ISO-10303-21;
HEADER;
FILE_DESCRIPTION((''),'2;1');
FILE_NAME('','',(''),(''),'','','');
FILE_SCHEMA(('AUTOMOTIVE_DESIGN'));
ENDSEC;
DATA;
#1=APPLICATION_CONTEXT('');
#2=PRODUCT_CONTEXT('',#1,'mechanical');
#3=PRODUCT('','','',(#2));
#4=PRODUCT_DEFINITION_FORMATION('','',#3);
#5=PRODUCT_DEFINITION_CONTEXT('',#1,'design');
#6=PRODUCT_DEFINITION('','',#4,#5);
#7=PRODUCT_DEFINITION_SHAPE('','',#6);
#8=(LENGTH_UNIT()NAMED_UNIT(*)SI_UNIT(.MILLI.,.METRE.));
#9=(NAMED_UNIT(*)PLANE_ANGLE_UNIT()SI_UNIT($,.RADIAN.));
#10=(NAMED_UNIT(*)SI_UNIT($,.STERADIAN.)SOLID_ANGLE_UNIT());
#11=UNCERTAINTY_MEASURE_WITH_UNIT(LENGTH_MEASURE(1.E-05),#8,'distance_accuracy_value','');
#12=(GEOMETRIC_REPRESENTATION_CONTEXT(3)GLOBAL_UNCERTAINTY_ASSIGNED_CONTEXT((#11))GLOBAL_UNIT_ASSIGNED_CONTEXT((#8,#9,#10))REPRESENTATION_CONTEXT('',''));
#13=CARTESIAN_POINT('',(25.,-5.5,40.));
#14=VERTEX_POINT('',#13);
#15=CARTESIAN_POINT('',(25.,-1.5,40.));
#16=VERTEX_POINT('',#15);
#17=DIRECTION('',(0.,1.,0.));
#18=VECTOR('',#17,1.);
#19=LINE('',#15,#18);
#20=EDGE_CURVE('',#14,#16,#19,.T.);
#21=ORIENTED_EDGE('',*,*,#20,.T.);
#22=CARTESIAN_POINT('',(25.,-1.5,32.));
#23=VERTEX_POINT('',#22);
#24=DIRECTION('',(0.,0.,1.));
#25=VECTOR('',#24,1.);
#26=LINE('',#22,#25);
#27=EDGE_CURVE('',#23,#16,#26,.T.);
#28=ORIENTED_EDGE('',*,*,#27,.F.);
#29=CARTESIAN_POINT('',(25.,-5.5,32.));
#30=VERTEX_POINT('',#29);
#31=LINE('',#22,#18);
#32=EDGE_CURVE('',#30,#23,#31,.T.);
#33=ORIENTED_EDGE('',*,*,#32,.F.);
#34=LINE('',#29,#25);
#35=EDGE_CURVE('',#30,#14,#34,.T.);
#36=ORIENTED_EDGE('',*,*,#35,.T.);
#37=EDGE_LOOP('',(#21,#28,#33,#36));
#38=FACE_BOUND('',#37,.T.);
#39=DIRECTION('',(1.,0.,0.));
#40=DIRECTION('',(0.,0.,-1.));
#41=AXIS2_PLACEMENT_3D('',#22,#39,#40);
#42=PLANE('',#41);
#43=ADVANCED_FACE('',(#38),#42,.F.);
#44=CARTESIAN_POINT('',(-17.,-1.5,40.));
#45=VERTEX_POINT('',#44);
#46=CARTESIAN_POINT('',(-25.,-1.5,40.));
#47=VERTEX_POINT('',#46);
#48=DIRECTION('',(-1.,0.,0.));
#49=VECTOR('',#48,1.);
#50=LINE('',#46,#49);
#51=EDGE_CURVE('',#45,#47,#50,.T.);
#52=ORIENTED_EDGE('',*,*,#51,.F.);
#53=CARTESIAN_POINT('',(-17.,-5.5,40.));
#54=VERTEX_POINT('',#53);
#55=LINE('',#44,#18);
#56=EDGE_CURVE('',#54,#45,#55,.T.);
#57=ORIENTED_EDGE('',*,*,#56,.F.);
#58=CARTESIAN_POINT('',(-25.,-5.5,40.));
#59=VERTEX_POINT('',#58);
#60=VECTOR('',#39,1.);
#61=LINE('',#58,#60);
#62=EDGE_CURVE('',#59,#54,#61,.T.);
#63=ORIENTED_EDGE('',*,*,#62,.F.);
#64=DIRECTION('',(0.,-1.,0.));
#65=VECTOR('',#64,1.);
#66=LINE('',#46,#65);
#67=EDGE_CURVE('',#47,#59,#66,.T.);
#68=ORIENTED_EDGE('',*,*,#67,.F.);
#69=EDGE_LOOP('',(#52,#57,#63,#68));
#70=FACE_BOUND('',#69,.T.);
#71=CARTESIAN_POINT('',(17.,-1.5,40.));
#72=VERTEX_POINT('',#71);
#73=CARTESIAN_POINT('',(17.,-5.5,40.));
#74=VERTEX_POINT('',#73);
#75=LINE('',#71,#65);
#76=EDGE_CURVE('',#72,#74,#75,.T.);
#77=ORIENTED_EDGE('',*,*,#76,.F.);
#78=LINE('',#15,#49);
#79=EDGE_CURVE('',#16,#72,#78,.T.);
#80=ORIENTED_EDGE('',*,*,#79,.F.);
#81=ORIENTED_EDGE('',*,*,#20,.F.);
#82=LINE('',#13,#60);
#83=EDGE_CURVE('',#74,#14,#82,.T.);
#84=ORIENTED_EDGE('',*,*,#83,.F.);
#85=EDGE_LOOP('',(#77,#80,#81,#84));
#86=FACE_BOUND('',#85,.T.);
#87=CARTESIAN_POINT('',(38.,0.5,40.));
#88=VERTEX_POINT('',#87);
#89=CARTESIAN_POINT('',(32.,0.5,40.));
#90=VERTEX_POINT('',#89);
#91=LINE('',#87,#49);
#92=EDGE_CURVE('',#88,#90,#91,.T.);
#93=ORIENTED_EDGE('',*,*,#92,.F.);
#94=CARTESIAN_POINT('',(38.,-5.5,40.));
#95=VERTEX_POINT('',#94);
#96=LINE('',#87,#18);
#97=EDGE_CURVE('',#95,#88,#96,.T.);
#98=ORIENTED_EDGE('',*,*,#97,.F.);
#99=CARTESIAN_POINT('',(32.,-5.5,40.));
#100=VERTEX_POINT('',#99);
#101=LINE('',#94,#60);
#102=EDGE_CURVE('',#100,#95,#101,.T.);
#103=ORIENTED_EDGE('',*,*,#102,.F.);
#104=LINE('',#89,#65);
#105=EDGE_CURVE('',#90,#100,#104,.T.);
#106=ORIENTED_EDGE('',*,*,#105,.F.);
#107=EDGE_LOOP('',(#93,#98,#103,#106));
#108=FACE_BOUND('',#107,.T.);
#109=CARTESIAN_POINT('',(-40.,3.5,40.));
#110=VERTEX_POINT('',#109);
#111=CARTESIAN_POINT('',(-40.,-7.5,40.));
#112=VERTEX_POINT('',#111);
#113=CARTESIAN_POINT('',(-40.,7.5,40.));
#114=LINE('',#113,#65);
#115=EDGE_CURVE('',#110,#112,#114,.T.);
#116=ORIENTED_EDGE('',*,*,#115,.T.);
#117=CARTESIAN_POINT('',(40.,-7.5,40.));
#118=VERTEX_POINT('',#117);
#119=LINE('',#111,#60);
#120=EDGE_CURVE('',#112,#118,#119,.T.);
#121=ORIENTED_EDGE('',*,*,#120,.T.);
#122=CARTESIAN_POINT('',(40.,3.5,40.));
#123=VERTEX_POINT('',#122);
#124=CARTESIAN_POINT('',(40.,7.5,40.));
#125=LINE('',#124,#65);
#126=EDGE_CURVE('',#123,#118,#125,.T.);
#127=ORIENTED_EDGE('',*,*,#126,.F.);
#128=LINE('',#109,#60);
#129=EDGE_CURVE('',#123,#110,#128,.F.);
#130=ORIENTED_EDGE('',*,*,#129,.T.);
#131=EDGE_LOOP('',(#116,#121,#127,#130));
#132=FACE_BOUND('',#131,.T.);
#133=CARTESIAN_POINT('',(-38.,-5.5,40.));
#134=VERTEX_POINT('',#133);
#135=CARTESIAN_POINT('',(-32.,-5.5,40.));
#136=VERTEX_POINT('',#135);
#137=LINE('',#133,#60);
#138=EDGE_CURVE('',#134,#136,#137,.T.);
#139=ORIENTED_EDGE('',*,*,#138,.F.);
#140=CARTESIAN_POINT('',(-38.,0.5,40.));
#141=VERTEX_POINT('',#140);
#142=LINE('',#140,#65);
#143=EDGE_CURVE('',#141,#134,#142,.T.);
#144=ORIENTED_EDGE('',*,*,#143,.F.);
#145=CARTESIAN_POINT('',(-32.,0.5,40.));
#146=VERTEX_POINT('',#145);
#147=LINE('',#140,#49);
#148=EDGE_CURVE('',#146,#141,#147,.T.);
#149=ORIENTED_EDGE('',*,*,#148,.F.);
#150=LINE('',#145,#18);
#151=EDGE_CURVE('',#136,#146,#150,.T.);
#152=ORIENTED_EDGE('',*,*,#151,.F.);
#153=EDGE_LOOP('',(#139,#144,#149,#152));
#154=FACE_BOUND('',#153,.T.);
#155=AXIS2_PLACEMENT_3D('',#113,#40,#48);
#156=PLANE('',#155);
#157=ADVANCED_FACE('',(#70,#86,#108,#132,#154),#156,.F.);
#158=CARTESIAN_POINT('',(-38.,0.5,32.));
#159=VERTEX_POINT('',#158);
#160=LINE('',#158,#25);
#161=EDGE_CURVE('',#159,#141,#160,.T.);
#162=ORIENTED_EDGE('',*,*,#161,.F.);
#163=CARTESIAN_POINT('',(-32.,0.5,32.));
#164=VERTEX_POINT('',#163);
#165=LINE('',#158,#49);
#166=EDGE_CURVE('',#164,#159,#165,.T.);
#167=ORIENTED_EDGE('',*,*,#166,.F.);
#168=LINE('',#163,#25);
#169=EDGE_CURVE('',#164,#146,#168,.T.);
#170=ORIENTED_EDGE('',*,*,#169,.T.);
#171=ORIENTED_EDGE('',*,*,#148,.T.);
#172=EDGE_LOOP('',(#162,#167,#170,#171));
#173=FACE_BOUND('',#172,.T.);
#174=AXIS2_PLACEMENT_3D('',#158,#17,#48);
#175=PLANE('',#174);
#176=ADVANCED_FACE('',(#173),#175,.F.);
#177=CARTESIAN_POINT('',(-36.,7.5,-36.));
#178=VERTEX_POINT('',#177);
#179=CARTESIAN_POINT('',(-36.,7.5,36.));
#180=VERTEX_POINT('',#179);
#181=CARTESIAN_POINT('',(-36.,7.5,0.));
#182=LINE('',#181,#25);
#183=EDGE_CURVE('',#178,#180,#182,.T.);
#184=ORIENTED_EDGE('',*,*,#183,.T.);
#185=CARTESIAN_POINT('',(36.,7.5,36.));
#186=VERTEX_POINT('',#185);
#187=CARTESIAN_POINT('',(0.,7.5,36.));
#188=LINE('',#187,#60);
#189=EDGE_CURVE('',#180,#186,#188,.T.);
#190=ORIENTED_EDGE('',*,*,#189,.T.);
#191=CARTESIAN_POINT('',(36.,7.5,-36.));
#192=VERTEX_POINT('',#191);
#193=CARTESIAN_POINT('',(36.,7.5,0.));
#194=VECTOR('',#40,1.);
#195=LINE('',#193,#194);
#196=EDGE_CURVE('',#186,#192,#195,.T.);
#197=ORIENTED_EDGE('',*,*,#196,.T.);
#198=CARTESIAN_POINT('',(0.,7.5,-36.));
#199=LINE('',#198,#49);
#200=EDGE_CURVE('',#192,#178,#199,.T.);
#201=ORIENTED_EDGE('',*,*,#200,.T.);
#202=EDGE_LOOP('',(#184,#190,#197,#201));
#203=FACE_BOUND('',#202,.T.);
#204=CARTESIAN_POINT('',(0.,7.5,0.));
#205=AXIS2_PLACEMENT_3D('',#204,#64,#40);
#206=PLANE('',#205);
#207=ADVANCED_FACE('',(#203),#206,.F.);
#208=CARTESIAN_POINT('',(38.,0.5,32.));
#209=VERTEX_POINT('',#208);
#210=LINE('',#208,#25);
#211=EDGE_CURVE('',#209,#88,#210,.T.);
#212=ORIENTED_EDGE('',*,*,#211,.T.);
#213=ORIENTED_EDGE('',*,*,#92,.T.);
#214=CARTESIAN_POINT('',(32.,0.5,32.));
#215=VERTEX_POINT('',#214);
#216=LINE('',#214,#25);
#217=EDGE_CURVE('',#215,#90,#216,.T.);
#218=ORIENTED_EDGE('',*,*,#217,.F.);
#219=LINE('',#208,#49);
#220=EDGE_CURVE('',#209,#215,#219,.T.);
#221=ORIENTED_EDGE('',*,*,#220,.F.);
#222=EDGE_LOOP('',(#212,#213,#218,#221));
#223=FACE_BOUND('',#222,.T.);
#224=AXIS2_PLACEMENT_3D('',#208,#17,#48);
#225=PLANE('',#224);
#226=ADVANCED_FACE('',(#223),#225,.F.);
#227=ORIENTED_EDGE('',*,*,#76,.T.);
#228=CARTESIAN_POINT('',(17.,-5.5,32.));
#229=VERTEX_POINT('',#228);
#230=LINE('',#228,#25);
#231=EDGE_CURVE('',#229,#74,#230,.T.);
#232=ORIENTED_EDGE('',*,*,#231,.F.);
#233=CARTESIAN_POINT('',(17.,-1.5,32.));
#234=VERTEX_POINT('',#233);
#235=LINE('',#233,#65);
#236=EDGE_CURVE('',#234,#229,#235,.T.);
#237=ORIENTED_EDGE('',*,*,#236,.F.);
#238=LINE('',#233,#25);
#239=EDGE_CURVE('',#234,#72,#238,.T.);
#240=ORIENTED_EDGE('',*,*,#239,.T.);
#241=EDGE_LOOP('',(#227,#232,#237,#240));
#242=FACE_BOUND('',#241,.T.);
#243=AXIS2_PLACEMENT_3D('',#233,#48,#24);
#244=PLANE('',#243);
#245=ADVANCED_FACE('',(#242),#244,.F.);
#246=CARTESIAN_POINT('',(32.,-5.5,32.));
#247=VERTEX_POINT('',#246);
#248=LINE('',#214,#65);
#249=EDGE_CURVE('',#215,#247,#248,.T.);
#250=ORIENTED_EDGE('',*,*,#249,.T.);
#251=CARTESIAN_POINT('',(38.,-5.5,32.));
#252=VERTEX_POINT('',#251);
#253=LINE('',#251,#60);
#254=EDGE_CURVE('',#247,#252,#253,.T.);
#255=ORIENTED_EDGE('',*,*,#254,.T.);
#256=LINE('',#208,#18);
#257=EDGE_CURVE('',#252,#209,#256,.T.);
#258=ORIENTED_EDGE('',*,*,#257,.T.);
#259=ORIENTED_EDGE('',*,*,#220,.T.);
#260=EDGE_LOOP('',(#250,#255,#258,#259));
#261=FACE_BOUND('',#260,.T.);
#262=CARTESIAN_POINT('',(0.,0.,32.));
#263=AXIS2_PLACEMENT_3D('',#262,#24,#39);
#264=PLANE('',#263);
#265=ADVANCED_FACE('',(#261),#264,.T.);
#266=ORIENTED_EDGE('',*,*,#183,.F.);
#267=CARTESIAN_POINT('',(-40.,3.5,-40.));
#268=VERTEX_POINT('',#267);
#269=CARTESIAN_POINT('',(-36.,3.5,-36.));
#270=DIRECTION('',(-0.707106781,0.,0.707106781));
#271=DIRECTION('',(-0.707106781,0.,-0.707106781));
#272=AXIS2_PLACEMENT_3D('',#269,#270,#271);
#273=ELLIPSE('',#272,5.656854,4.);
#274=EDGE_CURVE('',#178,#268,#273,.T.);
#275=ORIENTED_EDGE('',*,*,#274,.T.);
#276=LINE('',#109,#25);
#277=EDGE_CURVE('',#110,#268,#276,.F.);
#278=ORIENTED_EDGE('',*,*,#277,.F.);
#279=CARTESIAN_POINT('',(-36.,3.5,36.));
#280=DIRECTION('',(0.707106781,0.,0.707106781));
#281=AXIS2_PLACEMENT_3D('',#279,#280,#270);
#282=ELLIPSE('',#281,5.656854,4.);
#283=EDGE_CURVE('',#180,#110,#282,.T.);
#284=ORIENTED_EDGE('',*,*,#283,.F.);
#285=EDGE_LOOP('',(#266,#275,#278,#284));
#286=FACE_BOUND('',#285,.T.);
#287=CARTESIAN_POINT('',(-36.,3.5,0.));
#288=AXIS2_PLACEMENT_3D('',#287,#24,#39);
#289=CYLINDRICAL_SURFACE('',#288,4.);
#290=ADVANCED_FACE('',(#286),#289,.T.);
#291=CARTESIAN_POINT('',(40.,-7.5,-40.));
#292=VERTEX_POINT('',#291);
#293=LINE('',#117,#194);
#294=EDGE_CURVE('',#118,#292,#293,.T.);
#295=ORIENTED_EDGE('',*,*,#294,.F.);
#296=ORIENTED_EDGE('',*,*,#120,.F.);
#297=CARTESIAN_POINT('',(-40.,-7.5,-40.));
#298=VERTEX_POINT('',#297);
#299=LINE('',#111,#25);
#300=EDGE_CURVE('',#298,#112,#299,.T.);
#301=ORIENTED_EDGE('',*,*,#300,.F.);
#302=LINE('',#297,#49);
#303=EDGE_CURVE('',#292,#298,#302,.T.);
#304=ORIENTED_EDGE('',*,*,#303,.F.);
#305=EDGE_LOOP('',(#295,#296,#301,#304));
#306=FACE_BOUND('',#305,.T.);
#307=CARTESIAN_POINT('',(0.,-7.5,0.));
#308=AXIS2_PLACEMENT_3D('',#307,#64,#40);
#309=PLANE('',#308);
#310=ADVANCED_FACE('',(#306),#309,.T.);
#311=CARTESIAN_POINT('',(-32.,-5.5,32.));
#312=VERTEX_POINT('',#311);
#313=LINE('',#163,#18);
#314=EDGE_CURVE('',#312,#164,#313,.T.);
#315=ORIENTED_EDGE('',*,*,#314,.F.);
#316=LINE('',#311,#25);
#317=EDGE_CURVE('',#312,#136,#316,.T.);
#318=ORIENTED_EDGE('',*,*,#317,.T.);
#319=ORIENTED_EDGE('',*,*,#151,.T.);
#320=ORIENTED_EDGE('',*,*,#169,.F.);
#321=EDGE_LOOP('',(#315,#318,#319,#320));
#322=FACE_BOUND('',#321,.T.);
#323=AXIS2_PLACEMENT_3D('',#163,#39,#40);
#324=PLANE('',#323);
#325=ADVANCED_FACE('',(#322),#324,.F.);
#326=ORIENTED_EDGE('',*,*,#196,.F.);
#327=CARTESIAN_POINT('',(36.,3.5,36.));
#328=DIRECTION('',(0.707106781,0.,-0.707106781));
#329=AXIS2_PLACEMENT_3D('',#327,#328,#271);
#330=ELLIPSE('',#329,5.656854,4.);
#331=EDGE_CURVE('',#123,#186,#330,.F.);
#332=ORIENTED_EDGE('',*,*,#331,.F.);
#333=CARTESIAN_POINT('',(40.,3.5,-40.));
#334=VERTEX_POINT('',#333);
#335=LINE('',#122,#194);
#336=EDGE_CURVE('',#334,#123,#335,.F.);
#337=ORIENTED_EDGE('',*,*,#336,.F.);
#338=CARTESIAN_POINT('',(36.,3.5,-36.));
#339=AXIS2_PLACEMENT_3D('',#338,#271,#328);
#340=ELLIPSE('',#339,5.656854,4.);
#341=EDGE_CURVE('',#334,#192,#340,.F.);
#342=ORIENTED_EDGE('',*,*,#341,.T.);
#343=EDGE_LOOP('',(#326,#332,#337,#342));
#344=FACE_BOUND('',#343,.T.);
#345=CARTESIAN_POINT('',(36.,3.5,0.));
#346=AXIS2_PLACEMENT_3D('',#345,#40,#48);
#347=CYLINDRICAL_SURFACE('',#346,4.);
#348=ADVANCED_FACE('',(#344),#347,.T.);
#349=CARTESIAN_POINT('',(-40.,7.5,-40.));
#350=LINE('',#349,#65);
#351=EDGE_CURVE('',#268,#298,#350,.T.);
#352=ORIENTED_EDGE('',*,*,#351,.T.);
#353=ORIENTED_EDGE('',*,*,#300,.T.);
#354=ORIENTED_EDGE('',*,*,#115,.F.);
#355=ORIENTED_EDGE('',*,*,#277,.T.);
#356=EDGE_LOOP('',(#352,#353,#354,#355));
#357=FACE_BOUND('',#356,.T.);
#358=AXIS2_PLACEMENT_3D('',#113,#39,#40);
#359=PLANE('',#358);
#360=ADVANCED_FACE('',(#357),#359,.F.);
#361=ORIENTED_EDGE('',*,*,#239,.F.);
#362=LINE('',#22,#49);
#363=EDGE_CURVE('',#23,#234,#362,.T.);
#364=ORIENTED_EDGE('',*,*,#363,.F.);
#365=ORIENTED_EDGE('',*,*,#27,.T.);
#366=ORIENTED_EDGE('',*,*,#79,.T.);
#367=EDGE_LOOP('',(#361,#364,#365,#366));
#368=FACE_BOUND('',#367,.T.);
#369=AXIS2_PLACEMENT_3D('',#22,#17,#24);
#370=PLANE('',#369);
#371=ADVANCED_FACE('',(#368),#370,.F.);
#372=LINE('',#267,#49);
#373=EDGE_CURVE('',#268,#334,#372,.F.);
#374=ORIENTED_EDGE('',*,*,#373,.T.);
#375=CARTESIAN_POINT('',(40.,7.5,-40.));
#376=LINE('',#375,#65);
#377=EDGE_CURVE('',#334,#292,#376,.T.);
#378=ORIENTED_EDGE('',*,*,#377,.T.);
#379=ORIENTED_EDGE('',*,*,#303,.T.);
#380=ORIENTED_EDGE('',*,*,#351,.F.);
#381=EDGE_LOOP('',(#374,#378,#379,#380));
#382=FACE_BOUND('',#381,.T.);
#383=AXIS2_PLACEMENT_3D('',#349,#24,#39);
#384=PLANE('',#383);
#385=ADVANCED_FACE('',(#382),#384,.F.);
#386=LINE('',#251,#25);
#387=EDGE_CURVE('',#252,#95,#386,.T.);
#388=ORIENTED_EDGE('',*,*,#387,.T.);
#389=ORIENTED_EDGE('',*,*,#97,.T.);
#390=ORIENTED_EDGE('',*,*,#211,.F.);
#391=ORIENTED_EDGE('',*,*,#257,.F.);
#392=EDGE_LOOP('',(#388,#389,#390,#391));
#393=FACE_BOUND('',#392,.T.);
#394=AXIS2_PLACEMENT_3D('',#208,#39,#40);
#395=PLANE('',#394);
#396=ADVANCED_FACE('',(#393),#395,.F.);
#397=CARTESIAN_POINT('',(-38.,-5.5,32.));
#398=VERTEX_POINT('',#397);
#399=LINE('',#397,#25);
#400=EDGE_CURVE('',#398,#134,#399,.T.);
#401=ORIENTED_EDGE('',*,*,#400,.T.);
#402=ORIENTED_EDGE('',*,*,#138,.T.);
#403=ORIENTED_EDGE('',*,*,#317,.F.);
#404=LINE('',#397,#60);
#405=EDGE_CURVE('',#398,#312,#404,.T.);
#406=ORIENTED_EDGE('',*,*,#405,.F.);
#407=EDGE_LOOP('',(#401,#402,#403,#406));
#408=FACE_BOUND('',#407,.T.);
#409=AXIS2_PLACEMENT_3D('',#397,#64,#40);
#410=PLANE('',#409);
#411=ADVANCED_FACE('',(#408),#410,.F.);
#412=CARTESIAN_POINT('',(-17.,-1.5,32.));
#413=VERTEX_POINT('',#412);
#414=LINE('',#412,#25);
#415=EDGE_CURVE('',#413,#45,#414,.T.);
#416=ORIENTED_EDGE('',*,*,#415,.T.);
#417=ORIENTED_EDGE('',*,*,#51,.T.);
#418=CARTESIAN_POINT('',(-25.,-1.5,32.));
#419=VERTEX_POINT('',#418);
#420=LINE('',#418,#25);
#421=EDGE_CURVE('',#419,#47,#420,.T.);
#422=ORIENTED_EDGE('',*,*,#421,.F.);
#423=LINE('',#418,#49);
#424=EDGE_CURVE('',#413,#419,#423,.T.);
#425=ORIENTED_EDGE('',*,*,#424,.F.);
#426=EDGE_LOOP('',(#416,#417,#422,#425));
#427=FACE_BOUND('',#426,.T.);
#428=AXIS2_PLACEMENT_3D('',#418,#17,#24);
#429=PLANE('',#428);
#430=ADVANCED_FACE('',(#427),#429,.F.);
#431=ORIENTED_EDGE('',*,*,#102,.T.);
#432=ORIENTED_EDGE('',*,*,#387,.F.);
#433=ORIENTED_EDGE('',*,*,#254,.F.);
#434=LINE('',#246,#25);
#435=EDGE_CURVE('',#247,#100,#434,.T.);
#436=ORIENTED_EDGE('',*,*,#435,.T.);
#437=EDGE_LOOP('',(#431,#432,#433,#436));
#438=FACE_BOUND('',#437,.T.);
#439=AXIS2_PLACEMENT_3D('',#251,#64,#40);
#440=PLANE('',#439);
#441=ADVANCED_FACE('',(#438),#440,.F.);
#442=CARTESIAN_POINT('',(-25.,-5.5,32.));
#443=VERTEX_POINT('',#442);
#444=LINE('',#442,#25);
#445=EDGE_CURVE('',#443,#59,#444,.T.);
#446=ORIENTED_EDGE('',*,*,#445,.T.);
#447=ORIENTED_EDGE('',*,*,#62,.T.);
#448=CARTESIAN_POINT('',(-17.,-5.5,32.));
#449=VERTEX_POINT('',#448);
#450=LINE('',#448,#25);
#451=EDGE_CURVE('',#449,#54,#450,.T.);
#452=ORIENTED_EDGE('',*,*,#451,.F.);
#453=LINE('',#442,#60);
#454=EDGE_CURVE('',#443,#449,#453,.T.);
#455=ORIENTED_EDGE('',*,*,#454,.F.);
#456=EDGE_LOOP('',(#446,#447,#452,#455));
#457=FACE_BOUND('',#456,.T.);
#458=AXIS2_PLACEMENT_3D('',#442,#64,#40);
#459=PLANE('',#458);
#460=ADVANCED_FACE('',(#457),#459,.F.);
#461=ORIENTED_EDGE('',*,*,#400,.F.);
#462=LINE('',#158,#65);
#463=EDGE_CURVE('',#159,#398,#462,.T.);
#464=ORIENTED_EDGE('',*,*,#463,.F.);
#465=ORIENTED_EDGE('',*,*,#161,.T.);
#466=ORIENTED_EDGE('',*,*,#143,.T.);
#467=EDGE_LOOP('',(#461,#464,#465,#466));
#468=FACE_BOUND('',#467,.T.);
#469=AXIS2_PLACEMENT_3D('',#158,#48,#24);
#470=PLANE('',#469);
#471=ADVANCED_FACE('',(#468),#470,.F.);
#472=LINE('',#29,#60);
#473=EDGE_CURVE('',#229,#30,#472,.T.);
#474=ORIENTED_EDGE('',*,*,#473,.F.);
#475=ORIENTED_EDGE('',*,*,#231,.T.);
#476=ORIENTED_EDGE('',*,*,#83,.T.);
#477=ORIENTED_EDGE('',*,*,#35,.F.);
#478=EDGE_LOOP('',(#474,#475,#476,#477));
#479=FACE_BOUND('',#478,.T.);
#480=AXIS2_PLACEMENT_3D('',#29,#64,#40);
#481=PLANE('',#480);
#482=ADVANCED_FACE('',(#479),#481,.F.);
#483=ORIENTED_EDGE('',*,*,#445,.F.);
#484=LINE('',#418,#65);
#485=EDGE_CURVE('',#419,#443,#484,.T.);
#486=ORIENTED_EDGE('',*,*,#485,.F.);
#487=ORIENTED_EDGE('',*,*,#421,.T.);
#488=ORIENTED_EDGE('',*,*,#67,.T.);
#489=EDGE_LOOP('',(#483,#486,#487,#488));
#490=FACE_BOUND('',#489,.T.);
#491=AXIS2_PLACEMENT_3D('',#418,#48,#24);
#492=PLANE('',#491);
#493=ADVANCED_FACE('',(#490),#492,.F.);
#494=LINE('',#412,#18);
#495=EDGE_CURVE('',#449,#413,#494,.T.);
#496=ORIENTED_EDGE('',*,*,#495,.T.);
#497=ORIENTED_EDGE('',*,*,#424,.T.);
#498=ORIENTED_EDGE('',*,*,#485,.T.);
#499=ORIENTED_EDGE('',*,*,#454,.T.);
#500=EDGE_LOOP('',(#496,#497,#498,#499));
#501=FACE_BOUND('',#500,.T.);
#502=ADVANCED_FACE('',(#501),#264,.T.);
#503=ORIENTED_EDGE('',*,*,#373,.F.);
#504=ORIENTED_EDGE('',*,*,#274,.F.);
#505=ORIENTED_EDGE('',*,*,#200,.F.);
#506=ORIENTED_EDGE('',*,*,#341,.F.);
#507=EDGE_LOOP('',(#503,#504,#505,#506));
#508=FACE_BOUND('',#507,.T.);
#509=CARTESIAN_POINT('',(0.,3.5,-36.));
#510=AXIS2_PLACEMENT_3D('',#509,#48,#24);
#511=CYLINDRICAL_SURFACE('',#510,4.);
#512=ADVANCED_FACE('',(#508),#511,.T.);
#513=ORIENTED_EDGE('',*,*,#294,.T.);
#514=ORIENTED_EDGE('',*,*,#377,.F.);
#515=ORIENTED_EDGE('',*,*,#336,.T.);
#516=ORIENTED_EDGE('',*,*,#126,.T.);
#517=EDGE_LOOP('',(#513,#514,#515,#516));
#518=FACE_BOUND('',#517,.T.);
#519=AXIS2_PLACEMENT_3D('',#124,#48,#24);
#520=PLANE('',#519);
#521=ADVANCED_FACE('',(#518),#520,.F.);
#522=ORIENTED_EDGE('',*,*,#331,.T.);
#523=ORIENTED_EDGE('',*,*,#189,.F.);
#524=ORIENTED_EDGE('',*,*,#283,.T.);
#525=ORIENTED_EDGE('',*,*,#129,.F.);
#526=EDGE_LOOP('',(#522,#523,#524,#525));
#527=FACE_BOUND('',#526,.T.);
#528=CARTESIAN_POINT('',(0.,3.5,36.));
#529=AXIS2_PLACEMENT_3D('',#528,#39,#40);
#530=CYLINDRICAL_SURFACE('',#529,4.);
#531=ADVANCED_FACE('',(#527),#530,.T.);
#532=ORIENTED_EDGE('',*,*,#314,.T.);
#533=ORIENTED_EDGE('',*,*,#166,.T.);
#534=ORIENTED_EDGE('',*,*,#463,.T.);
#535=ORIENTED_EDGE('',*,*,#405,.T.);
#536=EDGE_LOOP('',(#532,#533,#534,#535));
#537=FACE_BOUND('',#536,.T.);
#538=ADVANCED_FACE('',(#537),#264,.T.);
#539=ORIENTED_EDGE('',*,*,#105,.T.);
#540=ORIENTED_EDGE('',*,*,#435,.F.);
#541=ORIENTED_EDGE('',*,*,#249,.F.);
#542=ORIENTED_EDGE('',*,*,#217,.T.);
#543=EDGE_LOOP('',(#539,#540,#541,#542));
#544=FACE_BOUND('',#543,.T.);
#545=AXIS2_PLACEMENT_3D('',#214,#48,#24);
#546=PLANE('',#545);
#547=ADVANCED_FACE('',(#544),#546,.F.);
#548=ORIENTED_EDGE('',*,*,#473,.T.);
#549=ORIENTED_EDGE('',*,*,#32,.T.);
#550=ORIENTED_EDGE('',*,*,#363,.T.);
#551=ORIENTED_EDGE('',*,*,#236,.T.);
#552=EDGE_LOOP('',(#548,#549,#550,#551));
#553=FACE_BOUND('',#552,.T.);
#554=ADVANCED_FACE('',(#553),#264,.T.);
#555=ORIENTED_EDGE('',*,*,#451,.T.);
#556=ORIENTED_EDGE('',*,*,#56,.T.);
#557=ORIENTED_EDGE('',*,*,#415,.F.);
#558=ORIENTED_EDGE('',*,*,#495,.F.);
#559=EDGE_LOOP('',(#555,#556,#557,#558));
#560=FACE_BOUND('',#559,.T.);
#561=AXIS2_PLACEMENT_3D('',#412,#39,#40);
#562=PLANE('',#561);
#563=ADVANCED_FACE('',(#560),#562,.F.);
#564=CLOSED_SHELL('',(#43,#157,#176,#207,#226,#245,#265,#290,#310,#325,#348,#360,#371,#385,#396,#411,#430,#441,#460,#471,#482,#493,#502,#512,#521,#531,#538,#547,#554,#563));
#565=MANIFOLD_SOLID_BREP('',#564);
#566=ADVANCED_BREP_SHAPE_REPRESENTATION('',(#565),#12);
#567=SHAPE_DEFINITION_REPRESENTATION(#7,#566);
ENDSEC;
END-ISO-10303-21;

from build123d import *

# Parameters (mm, degrees)
SKETCH_1_W          = 80
SKETCH_1_H          = 80
EXTRUDE_1_DEPTH     = 7.5
FILLET_1_R          = 4
SKETCH_2_W          = 6
SKETCH_2_H          = 6
SKETCH_2_W_2        = 8
SKETCH_2_H_2        = 4
CUT_EXTRUDE_1_DEPTH = 8


with BuildPart() as part:
    # 草图1 → 凸台-拉伸1 (new, symmetric)
    with BuildSketch(Plane(origin=(0, 0, 0), x_dir=(1, 0, 0), z_dir=(0, 1, 0))):
        Rectangle(SKETCH_1_W, SKETCH_1_H)
    extrude(amount=EXTRUDE_1_DEPTH, both=True)

    # 圆角1
    fillet_1_edges = [part.edges().sort_by_distance(p)[0] for p in [
        (-40, 7.5, 0),
        (0, 7.5, 40),
        (40, 7.5, 0),
        (0, 7.5, -40),
    ]]
    fillet(fillet_1_edges, radius=FILLET_1_R)

    # 草图2 → 切除-拉伸1 (cut)
    with BuildSketch(Plane.XY.offset(40)):
        with Locations((-35, -2.5)):
            Rectangle(SKETCH_2_W, SKETCH_2_H)
        with Locations((-21, -3.5)):
            Rectangle(SKETCH_2_W_2, SKETCH_2_H_2)
        with Locations((21, -3.5)):
            Rectangle(SKETCH_2_W_2, SKETCH_2_H_2)
        with Locations((35, -2.5)):
            Rectangle(SKETCH_2_W, SKETCH_2_H)
    extrude(amount=-CUT_EXTRUDE_1_DEPTH, mode=Mode.SUBTRACT)


solid = part.part
